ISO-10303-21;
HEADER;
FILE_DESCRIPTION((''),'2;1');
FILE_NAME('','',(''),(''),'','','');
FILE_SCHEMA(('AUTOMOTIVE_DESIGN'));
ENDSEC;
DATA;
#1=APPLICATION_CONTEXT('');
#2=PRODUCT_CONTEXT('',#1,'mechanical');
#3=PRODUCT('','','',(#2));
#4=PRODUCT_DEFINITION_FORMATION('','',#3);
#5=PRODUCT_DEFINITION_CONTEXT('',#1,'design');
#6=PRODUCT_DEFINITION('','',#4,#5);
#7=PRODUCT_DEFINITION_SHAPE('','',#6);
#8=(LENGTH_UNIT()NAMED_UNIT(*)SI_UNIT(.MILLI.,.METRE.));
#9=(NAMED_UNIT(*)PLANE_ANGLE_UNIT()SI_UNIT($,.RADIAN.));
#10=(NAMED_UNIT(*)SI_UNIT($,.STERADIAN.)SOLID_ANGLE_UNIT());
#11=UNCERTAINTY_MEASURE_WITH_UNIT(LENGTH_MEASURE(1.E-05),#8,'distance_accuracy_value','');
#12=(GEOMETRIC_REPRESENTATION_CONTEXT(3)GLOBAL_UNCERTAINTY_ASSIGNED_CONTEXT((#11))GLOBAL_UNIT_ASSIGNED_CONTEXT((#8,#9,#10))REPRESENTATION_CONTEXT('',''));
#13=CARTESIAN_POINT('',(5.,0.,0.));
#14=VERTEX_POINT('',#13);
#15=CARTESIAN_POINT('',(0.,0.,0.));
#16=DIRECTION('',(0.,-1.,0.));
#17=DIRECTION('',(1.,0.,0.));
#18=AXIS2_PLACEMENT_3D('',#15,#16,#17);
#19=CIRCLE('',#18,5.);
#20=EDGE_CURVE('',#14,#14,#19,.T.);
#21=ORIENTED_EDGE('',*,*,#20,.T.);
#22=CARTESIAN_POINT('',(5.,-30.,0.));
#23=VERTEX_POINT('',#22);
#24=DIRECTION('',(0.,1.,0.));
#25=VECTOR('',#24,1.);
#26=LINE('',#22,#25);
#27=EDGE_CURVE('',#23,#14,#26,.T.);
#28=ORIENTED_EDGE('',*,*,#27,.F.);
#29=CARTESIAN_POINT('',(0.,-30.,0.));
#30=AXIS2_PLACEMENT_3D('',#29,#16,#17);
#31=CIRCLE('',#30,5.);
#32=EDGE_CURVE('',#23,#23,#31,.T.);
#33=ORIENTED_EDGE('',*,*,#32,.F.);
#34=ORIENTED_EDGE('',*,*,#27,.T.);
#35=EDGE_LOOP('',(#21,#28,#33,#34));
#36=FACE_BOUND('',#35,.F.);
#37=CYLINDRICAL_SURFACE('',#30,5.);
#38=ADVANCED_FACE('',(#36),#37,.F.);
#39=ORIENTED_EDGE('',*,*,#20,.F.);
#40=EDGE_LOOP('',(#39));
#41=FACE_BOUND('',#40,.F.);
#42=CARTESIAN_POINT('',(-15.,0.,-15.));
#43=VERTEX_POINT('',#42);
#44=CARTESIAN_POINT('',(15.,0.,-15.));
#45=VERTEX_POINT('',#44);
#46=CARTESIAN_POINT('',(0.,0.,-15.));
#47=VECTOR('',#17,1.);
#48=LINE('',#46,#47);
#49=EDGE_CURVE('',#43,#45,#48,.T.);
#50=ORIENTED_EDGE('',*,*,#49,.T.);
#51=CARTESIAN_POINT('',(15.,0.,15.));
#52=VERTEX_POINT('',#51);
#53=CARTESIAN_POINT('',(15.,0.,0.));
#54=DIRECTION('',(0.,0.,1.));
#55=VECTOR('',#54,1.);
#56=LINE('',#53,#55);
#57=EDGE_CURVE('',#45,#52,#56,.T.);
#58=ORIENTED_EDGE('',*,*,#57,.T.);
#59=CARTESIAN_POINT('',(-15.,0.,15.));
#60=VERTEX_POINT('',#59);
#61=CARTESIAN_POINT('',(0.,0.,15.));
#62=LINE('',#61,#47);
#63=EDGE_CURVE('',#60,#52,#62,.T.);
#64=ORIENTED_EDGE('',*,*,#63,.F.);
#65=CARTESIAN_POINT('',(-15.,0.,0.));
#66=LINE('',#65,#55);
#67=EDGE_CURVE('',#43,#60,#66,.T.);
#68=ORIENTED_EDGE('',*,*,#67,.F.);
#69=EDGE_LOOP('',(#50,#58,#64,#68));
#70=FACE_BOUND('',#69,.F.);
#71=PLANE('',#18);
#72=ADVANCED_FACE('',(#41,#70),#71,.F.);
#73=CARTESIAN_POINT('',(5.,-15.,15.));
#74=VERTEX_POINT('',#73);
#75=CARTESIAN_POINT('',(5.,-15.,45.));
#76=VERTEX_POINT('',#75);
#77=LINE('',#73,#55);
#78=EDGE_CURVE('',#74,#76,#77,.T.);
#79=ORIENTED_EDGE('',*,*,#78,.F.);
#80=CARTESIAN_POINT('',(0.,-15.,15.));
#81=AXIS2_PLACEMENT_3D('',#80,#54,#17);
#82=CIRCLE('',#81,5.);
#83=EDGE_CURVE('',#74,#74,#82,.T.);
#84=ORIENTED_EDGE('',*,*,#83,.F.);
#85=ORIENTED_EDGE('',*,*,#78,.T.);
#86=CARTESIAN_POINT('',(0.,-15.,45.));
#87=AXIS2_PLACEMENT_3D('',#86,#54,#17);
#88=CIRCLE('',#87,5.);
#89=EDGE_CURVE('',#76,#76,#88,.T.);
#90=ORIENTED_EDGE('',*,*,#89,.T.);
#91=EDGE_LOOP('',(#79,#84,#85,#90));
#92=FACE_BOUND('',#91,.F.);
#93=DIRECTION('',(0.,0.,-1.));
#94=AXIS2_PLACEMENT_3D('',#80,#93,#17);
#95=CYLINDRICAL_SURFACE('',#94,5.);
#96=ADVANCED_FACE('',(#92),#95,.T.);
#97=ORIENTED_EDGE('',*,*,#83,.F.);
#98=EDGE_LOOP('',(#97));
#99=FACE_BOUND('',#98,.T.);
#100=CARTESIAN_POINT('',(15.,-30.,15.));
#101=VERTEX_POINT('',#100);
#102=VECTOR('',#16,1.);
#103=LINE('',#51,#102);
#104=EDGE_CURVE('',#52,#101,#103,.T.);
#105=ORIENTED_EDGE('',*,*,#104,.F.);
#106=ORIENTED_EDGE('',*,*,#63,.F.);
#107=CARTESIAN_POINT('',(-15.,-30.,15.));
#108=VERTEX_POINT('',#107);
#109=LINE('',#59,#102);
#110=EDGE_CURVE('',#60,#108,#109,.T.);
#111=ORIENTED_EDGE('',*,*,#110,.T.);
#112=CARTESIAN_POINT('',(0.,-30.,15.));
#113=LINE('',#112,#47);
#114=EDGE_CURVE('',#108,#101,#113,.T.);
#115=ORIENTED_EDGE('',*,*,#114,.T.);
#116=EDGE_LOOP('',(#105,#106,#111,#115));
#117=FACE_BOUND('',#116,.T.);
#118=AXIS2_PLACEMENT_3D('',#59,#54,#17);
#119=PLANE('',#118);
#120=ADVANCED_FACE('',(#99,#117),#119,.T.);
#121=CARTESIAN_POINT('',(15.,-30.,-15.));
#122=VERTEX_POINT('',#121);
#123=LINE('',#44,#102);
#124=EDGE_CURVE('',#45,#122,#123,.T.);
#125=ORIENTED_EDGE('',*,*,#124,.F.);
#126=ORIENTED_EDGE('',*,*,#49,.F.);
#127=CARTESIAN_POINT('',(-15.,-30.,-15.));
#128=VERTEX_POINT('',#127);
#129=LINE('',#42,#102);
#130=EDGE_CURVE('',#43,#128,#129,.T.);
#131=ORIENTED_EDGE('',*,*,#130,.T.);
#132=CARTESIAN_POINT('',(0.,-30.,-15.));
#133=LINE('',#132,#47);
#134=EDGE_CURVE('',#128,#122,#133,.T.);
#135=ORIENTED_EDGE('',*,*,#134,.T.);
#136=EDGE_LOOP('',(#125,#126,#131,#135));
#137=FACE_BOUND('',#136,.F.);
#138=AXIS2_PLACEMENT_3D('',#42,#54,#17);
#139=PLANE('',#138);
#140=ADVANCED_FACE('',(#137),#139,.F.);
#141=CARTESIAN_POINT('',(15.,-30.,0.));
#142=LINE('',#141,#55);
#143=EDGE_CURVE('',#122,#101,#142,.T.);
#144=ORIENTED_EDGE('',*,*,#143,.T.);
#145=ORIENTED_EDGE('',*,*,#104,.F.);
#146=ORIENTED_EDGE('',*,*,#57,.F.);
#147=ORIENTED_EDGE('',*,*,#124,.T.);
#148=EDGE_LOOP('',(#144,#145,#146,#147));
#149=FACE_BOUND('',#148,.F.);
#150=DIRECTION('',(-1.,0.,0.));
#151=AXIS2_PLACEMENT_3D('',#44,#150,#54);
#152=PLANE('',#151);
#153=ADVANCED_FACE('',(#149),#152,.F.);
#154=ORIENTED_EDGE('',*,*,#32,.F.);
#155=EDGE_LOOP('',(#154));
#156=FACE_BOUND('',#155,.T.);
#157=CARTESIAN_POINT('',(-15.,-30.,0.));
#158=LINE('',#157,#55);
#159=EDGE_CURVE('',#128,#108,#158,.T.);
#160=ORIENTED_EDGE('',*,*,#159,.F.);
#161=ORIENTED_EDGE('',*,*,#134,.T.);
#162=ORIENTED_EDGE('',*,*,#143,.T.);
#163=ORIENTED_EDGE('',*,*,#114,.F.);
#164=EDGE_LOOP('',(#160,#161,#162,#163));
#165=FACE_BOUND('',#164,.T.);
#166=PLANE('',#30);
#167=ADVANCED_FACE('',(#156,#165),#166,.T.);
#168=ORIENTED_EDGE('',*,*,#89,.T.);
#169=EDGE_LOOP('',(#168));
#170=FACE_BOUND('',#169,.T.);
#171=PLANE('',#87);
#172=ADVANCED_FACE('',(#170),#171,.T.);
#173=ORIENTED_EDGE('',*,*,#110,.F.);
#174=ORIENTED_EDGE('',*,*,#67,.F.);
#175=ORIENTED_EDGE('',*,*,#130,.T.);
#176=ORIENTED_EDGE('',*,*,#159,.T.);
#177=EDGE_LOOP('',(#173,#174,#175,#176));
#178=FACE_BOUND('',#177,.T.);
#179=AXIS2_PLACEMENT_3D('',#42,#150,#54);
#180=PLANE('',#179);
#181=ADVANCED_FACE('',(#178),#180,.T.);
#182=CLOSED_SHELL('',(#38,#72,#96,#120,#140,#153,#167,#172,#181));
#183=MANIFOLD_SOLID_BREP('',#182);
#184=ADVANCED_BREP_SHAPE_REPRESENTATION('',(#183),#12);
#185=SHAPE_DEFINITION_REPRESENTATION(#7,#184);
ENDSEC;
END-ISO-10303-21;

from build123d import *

# Parameters (mm, degrees)
F0_W     = 30
F0_H     = 30
F1_DEPTH = 30
F2_R     = 5
F3_DEPTH = 30
F4_R     = 5
F5_DEPTH = 30


with BuildPart() as f1:
    # F0 (on Front) → F1 (new body)
    with BuildSketch(Plane.XZ):
        Rectangle(F0_W, F0_H)
    extrude(amount=F1_DEPTH)

    # F2 (on face) → F3 (cut)
    with BuildSketch(Plane.XZ.offset(30)):
        Circle(F2_R)
    extrude(amount=-F3_DEPTH, mode=Mode.SUBTRACT)

    # F4 (on face) → F5 (join)
    with BuildSketch(Plane.XY.offset(15)):
        with Locations((0, -15)):
            Circle(F4_R)
    extrude(amount=F5_DEPTH)


solid = f1.part
